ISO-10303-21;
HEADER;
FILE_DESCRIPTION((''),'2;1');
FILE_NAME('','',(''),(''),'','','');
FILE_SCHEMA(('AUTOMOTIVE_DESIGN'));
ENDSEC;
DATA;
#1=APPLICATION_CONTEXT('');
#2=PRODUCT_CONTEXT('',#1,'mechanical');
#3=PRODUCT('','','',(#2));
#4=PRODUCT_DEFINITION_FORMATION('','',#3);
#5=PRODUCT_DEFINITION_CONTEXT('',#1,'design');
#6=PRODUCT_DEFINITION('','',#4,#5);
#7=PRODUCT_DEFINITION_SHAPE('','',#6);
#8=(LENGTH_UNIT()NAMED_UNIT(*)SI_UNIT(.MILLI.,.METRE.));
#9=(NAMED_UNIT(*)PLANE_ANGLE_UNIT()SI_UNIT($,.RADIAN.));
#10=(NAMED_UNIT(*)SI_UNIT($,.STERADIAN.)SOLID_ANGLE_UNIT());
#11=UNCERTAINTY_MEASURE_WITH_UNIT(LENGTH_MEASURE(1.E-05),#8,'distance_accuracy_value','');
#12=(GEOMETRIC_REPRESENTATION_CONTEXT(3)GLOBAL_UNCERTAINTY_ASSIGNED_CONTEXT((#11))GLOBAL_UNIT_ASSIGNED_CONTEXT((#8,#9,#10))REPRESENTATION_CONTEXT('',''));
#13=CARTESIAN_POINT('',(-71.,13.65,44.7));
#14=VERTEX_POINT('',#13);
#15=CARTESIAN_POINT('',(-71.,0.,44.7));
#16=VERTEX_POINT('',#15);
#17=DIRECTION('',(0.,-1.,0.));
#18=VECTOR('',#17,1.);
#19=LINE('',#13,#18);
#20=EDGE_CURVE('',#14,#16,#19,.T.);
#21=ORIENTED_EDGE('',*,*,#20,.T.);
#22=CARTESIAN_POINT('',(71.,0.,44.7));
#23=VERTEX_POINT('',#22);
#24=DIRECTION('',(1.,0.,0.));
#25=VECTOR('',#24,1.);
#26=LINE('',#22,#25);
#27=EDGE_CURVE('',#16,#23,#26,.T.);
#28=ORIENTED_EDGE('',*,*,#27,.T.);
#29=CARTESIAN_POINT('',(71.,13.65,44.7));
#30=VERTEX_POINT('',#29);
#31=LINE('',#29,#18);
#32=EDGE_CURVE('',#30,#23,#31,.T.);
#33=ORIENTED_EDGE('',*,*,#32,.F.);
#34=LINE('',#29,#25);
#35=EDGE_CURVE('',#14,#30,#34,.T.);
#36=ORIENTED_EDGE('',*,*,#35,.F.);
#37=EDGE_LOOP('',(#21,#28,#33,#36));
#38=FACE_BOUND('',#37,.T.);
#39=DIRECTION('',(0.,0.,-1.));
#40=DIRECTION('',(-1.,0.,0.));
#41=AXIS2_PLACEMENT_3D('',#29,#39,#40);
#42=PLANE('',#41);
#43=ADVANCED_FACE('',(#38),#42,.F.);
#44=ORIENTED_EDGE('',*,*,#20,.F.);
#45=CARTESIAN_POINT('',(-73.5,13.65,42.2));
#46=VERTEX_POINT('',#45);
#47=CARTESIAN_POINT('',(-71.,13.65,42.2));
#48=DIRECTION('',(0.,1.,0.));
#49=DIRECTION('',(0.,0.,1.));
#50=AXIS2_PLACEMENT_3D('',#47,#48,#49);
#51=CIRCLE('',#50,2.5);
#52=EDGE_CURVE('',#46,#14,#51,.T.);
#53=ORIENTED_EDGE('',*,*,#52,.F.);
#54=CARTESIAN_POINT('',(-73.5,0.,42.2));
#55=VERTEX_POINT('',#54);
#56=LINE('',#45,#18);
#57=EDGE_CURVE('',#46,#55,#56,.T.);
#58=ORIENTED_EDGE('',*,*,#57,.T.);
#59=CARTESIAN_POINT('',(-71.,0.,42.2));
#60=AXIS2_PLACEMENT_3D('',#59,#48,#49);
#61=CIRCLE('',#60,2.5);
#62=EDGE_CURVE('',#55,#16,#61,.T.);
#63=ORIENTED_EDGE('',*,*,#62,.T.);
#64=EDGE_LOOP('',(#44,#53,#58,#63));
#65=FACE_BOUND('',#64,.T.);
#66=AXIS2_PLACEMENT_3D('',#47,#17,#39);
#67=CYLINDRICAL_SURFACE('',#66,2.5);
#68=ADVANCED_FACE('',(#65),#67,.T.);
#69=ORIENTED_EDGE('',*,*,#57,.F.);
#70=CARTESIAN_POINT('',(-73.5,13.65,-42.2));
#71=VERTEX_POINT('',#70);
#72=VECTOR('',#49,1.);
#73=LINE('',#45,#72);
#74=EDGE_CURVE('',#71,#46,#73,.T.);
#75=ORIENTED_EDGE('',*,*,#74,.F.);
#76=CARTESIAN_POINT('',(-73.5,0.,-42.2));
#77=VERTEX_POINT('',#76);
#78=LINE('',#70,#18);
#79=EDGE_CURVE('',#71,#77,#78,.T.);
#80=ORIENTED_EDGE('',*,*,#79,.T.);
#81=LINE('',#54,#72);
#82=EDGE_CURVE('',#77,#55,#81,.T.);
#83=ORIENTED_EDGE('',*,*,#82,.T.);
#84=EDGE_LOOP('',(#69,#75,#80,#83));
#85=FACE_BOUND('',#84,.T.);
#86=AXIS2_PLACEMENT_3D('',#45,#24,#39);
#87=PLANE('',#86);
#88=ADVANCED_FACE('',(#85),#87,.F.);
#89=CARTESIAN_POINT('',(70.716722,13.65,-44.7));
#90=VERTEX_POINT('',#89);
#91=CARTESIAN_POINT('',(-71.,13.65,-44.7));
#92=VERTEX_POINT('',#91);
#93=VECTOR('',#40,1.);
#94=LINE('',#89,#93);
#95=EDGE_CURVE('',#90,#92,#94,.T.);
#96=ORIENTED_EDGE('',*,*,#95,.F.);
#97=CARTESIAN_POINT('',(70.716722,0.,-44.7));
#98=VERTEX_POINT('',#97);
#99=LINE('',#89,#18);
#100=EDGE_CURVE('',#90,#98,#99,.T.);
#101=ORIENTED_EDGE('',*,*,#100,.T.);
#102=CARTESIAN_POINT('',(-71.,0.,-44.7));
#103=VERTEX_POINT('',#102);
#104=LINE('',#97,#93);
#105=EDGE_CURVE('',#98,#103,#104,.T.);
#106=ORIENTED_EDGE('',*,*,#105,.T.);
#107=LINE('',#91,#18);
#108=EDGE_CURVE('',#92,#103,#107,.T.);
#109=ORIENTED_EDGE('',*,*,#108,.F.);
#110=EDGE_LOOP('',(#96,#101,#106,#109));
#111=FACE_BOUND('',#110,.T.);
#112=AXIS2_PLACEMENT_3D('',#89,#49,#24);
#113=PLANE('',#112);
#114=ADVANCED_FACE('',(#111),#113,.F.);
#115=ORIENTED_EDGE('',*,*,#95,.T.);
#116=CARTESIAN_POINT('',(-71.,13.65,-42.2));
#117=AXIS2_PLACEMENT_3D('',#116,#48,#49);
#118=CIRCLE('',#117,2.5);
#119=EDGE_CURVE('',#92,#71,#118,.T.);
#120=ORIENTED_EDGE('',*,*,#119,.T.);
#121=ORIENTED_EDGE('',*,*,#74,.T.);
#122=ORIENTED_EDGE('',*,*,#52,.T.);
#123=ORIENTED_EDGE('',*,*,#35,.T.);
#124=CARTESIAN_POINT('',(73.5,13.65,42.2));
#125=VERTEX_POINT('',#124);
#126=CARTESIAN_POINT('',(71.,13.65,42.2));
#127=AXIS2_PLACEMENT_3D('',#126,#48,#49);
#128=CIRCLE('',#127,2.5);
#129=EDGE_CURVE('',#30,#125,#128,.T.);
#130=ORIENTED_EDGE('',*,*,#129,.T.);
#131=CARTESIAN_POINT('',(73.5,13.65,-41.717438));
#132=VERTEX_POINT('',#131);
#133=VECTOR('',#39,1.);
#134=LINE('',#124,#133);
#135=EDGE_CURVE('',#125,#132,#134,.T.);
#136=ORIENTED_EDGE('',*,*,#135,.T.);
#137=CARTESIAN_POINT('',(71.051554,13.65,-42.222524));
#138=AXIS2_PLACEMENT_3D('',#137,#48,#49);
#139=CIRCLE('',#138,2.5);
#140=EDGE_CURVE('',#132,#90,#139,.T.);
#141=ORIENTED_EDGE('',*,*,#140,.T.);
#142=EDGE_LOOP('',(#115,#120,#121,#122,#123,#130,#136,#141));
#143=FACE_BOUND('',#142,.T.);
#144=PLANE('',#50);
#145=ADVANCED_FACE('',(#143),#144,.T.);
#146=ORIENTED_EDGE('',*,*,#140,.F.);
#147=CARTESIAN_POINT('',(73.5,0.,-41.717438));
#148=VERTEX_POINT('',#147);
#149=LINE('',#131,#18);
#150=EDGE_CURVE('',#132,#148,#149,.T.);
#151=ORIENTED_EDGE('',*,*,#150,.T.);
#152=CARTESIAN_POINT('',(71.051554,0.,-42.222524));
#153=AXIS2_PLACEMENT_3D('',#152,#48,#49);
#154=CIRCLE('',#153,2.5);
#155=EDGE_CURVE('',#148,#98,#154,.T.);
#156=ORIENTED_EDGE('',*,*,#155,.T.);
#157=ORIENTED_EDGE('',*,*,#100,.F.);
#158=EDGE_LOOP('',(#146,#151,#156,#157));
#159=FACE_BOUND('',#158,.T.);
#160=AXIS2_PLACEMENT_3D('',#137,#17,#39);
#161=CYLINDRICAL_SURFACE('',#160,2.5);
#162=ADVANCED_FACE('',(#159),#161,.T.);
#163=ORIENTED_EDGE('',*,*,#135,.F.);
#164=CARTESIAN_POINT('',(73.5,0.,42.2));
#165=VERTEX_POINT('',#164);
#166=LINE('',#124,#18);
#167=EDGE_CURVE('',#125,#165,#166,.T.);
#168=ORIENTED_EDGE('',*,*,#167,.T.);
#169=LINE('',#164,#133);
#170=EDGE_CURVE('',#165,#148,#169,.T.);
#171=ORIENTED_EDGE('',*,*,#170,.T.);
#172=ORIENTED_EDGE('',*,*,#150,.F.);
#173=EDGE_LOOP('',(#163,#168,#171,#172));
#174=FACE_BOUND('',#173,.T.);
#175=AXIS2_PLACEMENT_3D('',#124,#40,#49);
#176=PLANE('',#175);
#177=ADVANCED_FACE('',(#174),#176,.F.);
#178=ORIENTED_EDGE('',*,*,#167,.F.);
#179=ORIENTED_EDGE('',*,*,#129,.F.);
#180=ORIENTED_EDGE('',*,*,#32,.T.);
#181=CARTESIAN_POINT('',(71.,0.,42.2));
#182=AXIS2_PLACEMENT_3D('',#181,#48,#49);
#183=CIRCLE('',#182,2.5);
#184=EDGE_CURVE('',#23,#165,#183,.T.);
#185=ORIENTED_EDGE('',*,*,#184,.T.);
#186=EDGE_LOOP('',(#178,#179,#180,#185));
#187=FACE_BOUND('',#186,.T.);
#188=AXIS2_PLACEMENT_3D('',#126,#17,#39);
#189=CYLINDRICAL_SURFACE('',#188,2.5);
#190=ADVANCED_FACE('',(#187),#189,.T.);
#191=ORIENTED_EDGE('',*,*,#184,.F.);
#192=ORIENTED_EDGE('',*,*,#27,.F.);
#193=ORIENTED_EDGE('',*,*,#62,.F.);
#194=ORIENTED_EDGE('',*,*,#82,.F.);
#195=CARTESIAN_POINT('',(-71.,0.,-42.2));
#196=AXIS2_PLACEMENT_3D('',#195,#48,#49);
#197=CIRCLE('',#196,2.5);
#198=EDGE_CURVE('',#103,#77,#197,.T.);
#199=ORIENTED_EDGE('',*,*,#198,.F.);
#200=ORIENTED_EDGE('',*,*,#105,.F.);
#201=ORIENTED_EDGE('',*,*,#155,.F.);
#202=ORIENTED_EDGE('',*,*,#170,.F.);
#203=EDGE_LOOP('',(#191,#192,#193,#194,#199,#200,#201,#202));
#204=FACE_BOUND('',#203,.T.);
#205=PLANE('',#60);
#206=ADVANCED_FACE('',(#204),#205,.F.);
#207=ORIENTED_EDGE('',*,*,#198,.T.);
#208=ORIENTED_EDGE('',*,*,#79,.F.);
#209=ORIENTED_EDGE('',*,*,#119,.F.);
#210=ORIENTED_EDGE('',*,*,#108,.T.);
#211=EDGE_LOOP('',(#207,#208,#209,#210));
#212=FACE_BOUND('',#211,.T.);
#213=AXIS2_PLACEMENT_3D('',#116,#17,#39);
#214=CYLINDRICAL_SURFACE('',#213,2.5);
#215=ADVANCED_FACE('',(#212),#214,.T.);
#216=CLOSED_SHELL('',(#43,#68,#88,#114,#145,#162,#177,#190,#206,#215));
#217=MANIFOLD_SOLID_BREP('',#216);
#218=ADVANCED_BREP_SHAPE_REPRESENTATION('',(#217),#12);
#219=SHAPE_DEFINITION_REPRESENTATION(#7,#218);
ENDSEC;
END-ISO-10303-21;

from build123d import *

# Parameters (mm, degrees)
BOSS_EXTRUDE1_DEPTH = 13.65


with BuildPart() as part:
    # Sketch1 → Boss-Extrude1 (new body)
    with BuildSketch(Plane(origin=(0, 0, 0), x_dir=(1, 0, 0), z_dir=(0, 1, 0))):
        with BuildLine():
            Line((71, -44.7), (-71, -44.7))
            ThreePointArc((-71, -44.7), (-72.767766953, -43.967766953), (-73.5, -42.2))
            Line((-73.5, -42.2), (-73.5, 42.2))
            ThreePointArc((-73.5, 42.2), (-72.767766953, 43.967766953), (-71, 44.7))
            Line((-71, 44.7), (70.716721676, 44.7))
            ThreePointArc((70.716721676, 44.7), (72.879328688, 43.928173367), (73.5, 41.717437615))
            Line((73.5, 41.717437615), (73.5, -42.2))
            ThreePointArc((73.5, -42.2), (72.767766953, -43.967766953), (71, -44.7))
        make_face()
    extrude(amount=BOSS_EXTRUDE1_DEPTH)


solid = part.part
